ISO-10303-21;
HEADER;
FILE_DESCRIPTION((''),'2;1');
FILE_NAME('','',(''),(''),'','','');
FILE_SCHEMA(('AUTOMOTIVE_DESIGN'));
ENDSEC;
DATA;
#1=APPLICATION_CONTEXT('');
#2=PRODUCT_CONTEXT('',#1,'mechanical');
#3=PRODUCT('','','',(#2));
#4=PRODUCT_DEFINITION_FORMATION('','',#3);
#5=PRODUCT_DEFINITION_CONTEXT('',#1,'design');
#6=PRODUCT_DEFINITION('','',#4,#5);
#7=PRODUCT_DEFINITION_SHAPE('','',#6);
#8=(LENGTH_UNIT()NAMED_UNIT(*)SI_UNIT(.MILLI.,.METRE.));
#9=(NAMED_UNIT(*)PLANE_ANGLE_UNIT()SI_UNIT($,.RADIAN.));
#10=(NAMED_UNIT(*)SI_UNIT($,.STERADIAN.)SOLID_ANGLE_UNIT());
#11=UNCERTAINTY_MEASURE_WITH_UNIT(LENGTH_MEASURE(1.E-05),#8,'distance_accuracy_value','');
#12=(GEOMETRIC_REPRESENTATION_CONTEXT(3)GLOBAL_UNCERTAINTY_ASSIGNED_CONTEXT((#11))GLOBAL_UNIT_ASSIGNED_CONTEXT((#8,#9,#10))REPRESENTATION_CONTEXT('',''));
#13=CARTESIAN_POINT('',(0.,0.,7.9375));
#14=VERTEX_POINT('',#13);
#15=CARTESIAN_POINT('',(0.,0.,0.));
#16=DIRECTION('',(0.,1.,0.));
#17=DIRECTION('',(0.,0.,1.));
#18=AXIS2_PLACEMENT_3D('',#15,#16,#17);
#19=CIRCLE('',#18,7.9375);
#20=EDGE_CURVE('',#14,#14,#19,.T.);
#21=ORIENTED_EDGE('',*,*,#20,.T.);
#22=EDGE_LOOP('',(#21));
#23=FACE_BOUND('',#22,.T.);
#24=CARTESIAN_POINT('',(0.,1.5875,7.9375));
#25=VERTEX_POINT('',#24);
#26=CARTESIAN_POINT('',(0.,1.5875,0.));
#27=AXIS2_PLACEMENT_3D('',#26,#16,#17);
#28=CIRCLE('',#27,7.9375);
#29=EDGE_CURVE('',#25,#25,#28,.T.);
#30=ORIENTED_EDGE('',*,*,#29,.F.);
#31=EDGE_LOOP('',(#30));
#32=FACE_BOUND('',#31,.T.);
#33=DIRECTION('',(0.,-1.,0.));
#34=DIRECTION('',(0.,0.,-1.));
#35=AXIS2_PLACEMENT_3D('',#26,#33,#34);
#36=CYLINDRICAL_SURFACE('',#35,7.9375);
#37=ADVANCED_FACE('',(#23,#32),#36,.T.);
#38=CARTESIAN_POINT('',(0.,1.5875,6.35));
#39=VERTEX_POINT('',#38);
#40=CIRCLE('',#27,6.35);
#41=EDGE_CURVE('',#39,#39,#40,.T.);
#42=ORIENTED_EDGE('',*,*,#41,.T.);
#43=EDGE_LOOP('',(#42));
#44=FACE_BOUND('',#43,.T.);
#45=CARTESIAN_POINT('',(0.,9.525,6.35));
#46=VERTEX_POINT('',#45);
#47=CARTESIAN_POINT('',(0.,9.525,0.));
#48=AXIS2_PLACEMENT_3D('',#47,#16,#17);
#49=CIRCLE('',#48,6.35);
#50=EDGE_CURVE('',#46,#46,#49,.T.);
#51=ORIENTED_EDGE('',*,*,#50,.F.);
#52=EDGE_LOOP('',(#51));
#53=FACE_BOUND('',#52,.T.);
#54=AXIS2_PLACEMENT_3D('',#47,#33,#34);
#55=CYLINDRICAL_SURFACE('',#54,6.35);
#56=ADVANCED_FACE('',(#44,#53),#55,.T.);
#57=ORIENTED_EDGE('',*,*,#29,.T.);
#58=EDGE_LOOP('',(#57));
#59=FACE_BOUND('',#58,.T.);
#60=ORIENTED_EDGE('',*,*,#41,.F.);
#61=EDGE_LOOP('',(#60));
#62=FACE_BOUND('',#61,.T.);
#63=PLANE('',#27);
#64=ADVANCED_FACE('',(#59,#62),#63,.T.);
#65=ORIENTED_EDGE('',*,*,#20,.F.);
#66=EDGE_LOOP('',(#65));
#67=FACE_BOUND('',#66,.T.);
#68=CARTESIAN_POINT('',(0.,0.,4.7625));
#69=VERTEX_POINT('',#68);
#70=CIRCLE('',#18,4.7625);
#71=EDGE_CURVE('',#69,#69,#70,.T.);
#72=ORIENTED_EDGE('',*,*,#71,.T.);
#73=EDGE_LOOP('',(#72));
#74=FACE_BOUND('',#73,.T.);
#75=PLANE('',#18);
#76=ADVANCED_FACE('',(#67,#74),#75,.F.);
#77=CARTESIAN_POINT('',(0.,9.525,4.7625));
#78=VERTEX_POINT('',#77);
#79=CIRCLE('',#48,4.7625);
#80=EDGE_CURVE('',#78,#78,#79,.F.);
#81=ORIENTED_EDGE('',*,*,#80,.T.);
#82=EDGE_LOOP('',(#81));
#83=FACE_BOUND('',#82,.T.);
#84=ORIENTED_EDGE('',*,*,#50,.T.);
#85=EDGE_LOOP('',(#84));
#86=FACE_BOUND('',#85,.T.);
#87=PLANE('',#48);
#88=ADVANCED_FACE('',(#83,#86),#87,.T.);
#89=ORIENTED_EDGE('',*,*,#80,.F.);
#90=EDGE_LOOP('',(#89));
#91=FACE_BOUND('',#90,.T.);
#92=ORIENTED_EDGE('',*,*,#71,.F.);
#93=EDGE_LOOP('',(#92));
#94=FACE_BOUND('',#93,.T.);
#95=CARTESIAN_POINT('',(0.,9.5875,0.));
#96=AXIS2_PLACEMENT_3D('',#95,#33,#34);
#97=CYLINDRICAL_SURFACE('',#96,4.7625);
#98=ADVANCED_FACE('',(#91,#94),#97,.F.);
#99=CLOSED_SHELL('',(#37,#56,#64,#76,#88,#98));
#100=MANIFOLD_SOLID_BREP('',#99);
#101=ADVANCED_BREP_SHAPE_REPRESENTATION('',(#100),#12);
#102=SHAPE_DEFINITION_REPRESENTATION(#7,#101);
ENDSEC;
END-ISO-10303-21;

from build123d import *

# Parameters (mm, degrees)
TUBE_R              = 6.35
BOSS_EXTRUDE1_DEPTH = 9.525
FLANGE_R            = 7.9375
BOSS_EXTRUDE2_DEPTH = 1.5875
SHAFT_R             = 4.7625
CUT_EXTRUDE1_DEPTH  = 9.5875


with BuildPart() as part:
    # tube → Boss-Extrude1 (new body)
    with BuildSketch(Plane(origin=(0, 0, 0), x_dir=(1, 0, 0), z_dir=(0, 1, 0))):
        Circle(TUBE_R)
    extrude(amount=BOSS_EXTRUDE1_DEPTH)

    # Flange → Boss-Extrude2 (add)
    with BuildSketch(Plane(origin=(0, 0, 0), x_dir=(1, 0, 0), z_dir=(0, 1, 0))):
        Circle(FLANGE_R)
    extrude(amount=BOSS_EXTRUDE2_DEPTH)

    # shaft → Cut-Extrude1 (cut)
    with BuildSketch(Plane(origin=(0, 0, 0), x_dir=(1, 0, 0), z_dir=(0, 1, 0))):
        Circle(SHAFT_R)
    extrude(amount=CUT_EXTRUDE1_DEPTH, mode=Mode.SUBTRACT)


solid = part.part
